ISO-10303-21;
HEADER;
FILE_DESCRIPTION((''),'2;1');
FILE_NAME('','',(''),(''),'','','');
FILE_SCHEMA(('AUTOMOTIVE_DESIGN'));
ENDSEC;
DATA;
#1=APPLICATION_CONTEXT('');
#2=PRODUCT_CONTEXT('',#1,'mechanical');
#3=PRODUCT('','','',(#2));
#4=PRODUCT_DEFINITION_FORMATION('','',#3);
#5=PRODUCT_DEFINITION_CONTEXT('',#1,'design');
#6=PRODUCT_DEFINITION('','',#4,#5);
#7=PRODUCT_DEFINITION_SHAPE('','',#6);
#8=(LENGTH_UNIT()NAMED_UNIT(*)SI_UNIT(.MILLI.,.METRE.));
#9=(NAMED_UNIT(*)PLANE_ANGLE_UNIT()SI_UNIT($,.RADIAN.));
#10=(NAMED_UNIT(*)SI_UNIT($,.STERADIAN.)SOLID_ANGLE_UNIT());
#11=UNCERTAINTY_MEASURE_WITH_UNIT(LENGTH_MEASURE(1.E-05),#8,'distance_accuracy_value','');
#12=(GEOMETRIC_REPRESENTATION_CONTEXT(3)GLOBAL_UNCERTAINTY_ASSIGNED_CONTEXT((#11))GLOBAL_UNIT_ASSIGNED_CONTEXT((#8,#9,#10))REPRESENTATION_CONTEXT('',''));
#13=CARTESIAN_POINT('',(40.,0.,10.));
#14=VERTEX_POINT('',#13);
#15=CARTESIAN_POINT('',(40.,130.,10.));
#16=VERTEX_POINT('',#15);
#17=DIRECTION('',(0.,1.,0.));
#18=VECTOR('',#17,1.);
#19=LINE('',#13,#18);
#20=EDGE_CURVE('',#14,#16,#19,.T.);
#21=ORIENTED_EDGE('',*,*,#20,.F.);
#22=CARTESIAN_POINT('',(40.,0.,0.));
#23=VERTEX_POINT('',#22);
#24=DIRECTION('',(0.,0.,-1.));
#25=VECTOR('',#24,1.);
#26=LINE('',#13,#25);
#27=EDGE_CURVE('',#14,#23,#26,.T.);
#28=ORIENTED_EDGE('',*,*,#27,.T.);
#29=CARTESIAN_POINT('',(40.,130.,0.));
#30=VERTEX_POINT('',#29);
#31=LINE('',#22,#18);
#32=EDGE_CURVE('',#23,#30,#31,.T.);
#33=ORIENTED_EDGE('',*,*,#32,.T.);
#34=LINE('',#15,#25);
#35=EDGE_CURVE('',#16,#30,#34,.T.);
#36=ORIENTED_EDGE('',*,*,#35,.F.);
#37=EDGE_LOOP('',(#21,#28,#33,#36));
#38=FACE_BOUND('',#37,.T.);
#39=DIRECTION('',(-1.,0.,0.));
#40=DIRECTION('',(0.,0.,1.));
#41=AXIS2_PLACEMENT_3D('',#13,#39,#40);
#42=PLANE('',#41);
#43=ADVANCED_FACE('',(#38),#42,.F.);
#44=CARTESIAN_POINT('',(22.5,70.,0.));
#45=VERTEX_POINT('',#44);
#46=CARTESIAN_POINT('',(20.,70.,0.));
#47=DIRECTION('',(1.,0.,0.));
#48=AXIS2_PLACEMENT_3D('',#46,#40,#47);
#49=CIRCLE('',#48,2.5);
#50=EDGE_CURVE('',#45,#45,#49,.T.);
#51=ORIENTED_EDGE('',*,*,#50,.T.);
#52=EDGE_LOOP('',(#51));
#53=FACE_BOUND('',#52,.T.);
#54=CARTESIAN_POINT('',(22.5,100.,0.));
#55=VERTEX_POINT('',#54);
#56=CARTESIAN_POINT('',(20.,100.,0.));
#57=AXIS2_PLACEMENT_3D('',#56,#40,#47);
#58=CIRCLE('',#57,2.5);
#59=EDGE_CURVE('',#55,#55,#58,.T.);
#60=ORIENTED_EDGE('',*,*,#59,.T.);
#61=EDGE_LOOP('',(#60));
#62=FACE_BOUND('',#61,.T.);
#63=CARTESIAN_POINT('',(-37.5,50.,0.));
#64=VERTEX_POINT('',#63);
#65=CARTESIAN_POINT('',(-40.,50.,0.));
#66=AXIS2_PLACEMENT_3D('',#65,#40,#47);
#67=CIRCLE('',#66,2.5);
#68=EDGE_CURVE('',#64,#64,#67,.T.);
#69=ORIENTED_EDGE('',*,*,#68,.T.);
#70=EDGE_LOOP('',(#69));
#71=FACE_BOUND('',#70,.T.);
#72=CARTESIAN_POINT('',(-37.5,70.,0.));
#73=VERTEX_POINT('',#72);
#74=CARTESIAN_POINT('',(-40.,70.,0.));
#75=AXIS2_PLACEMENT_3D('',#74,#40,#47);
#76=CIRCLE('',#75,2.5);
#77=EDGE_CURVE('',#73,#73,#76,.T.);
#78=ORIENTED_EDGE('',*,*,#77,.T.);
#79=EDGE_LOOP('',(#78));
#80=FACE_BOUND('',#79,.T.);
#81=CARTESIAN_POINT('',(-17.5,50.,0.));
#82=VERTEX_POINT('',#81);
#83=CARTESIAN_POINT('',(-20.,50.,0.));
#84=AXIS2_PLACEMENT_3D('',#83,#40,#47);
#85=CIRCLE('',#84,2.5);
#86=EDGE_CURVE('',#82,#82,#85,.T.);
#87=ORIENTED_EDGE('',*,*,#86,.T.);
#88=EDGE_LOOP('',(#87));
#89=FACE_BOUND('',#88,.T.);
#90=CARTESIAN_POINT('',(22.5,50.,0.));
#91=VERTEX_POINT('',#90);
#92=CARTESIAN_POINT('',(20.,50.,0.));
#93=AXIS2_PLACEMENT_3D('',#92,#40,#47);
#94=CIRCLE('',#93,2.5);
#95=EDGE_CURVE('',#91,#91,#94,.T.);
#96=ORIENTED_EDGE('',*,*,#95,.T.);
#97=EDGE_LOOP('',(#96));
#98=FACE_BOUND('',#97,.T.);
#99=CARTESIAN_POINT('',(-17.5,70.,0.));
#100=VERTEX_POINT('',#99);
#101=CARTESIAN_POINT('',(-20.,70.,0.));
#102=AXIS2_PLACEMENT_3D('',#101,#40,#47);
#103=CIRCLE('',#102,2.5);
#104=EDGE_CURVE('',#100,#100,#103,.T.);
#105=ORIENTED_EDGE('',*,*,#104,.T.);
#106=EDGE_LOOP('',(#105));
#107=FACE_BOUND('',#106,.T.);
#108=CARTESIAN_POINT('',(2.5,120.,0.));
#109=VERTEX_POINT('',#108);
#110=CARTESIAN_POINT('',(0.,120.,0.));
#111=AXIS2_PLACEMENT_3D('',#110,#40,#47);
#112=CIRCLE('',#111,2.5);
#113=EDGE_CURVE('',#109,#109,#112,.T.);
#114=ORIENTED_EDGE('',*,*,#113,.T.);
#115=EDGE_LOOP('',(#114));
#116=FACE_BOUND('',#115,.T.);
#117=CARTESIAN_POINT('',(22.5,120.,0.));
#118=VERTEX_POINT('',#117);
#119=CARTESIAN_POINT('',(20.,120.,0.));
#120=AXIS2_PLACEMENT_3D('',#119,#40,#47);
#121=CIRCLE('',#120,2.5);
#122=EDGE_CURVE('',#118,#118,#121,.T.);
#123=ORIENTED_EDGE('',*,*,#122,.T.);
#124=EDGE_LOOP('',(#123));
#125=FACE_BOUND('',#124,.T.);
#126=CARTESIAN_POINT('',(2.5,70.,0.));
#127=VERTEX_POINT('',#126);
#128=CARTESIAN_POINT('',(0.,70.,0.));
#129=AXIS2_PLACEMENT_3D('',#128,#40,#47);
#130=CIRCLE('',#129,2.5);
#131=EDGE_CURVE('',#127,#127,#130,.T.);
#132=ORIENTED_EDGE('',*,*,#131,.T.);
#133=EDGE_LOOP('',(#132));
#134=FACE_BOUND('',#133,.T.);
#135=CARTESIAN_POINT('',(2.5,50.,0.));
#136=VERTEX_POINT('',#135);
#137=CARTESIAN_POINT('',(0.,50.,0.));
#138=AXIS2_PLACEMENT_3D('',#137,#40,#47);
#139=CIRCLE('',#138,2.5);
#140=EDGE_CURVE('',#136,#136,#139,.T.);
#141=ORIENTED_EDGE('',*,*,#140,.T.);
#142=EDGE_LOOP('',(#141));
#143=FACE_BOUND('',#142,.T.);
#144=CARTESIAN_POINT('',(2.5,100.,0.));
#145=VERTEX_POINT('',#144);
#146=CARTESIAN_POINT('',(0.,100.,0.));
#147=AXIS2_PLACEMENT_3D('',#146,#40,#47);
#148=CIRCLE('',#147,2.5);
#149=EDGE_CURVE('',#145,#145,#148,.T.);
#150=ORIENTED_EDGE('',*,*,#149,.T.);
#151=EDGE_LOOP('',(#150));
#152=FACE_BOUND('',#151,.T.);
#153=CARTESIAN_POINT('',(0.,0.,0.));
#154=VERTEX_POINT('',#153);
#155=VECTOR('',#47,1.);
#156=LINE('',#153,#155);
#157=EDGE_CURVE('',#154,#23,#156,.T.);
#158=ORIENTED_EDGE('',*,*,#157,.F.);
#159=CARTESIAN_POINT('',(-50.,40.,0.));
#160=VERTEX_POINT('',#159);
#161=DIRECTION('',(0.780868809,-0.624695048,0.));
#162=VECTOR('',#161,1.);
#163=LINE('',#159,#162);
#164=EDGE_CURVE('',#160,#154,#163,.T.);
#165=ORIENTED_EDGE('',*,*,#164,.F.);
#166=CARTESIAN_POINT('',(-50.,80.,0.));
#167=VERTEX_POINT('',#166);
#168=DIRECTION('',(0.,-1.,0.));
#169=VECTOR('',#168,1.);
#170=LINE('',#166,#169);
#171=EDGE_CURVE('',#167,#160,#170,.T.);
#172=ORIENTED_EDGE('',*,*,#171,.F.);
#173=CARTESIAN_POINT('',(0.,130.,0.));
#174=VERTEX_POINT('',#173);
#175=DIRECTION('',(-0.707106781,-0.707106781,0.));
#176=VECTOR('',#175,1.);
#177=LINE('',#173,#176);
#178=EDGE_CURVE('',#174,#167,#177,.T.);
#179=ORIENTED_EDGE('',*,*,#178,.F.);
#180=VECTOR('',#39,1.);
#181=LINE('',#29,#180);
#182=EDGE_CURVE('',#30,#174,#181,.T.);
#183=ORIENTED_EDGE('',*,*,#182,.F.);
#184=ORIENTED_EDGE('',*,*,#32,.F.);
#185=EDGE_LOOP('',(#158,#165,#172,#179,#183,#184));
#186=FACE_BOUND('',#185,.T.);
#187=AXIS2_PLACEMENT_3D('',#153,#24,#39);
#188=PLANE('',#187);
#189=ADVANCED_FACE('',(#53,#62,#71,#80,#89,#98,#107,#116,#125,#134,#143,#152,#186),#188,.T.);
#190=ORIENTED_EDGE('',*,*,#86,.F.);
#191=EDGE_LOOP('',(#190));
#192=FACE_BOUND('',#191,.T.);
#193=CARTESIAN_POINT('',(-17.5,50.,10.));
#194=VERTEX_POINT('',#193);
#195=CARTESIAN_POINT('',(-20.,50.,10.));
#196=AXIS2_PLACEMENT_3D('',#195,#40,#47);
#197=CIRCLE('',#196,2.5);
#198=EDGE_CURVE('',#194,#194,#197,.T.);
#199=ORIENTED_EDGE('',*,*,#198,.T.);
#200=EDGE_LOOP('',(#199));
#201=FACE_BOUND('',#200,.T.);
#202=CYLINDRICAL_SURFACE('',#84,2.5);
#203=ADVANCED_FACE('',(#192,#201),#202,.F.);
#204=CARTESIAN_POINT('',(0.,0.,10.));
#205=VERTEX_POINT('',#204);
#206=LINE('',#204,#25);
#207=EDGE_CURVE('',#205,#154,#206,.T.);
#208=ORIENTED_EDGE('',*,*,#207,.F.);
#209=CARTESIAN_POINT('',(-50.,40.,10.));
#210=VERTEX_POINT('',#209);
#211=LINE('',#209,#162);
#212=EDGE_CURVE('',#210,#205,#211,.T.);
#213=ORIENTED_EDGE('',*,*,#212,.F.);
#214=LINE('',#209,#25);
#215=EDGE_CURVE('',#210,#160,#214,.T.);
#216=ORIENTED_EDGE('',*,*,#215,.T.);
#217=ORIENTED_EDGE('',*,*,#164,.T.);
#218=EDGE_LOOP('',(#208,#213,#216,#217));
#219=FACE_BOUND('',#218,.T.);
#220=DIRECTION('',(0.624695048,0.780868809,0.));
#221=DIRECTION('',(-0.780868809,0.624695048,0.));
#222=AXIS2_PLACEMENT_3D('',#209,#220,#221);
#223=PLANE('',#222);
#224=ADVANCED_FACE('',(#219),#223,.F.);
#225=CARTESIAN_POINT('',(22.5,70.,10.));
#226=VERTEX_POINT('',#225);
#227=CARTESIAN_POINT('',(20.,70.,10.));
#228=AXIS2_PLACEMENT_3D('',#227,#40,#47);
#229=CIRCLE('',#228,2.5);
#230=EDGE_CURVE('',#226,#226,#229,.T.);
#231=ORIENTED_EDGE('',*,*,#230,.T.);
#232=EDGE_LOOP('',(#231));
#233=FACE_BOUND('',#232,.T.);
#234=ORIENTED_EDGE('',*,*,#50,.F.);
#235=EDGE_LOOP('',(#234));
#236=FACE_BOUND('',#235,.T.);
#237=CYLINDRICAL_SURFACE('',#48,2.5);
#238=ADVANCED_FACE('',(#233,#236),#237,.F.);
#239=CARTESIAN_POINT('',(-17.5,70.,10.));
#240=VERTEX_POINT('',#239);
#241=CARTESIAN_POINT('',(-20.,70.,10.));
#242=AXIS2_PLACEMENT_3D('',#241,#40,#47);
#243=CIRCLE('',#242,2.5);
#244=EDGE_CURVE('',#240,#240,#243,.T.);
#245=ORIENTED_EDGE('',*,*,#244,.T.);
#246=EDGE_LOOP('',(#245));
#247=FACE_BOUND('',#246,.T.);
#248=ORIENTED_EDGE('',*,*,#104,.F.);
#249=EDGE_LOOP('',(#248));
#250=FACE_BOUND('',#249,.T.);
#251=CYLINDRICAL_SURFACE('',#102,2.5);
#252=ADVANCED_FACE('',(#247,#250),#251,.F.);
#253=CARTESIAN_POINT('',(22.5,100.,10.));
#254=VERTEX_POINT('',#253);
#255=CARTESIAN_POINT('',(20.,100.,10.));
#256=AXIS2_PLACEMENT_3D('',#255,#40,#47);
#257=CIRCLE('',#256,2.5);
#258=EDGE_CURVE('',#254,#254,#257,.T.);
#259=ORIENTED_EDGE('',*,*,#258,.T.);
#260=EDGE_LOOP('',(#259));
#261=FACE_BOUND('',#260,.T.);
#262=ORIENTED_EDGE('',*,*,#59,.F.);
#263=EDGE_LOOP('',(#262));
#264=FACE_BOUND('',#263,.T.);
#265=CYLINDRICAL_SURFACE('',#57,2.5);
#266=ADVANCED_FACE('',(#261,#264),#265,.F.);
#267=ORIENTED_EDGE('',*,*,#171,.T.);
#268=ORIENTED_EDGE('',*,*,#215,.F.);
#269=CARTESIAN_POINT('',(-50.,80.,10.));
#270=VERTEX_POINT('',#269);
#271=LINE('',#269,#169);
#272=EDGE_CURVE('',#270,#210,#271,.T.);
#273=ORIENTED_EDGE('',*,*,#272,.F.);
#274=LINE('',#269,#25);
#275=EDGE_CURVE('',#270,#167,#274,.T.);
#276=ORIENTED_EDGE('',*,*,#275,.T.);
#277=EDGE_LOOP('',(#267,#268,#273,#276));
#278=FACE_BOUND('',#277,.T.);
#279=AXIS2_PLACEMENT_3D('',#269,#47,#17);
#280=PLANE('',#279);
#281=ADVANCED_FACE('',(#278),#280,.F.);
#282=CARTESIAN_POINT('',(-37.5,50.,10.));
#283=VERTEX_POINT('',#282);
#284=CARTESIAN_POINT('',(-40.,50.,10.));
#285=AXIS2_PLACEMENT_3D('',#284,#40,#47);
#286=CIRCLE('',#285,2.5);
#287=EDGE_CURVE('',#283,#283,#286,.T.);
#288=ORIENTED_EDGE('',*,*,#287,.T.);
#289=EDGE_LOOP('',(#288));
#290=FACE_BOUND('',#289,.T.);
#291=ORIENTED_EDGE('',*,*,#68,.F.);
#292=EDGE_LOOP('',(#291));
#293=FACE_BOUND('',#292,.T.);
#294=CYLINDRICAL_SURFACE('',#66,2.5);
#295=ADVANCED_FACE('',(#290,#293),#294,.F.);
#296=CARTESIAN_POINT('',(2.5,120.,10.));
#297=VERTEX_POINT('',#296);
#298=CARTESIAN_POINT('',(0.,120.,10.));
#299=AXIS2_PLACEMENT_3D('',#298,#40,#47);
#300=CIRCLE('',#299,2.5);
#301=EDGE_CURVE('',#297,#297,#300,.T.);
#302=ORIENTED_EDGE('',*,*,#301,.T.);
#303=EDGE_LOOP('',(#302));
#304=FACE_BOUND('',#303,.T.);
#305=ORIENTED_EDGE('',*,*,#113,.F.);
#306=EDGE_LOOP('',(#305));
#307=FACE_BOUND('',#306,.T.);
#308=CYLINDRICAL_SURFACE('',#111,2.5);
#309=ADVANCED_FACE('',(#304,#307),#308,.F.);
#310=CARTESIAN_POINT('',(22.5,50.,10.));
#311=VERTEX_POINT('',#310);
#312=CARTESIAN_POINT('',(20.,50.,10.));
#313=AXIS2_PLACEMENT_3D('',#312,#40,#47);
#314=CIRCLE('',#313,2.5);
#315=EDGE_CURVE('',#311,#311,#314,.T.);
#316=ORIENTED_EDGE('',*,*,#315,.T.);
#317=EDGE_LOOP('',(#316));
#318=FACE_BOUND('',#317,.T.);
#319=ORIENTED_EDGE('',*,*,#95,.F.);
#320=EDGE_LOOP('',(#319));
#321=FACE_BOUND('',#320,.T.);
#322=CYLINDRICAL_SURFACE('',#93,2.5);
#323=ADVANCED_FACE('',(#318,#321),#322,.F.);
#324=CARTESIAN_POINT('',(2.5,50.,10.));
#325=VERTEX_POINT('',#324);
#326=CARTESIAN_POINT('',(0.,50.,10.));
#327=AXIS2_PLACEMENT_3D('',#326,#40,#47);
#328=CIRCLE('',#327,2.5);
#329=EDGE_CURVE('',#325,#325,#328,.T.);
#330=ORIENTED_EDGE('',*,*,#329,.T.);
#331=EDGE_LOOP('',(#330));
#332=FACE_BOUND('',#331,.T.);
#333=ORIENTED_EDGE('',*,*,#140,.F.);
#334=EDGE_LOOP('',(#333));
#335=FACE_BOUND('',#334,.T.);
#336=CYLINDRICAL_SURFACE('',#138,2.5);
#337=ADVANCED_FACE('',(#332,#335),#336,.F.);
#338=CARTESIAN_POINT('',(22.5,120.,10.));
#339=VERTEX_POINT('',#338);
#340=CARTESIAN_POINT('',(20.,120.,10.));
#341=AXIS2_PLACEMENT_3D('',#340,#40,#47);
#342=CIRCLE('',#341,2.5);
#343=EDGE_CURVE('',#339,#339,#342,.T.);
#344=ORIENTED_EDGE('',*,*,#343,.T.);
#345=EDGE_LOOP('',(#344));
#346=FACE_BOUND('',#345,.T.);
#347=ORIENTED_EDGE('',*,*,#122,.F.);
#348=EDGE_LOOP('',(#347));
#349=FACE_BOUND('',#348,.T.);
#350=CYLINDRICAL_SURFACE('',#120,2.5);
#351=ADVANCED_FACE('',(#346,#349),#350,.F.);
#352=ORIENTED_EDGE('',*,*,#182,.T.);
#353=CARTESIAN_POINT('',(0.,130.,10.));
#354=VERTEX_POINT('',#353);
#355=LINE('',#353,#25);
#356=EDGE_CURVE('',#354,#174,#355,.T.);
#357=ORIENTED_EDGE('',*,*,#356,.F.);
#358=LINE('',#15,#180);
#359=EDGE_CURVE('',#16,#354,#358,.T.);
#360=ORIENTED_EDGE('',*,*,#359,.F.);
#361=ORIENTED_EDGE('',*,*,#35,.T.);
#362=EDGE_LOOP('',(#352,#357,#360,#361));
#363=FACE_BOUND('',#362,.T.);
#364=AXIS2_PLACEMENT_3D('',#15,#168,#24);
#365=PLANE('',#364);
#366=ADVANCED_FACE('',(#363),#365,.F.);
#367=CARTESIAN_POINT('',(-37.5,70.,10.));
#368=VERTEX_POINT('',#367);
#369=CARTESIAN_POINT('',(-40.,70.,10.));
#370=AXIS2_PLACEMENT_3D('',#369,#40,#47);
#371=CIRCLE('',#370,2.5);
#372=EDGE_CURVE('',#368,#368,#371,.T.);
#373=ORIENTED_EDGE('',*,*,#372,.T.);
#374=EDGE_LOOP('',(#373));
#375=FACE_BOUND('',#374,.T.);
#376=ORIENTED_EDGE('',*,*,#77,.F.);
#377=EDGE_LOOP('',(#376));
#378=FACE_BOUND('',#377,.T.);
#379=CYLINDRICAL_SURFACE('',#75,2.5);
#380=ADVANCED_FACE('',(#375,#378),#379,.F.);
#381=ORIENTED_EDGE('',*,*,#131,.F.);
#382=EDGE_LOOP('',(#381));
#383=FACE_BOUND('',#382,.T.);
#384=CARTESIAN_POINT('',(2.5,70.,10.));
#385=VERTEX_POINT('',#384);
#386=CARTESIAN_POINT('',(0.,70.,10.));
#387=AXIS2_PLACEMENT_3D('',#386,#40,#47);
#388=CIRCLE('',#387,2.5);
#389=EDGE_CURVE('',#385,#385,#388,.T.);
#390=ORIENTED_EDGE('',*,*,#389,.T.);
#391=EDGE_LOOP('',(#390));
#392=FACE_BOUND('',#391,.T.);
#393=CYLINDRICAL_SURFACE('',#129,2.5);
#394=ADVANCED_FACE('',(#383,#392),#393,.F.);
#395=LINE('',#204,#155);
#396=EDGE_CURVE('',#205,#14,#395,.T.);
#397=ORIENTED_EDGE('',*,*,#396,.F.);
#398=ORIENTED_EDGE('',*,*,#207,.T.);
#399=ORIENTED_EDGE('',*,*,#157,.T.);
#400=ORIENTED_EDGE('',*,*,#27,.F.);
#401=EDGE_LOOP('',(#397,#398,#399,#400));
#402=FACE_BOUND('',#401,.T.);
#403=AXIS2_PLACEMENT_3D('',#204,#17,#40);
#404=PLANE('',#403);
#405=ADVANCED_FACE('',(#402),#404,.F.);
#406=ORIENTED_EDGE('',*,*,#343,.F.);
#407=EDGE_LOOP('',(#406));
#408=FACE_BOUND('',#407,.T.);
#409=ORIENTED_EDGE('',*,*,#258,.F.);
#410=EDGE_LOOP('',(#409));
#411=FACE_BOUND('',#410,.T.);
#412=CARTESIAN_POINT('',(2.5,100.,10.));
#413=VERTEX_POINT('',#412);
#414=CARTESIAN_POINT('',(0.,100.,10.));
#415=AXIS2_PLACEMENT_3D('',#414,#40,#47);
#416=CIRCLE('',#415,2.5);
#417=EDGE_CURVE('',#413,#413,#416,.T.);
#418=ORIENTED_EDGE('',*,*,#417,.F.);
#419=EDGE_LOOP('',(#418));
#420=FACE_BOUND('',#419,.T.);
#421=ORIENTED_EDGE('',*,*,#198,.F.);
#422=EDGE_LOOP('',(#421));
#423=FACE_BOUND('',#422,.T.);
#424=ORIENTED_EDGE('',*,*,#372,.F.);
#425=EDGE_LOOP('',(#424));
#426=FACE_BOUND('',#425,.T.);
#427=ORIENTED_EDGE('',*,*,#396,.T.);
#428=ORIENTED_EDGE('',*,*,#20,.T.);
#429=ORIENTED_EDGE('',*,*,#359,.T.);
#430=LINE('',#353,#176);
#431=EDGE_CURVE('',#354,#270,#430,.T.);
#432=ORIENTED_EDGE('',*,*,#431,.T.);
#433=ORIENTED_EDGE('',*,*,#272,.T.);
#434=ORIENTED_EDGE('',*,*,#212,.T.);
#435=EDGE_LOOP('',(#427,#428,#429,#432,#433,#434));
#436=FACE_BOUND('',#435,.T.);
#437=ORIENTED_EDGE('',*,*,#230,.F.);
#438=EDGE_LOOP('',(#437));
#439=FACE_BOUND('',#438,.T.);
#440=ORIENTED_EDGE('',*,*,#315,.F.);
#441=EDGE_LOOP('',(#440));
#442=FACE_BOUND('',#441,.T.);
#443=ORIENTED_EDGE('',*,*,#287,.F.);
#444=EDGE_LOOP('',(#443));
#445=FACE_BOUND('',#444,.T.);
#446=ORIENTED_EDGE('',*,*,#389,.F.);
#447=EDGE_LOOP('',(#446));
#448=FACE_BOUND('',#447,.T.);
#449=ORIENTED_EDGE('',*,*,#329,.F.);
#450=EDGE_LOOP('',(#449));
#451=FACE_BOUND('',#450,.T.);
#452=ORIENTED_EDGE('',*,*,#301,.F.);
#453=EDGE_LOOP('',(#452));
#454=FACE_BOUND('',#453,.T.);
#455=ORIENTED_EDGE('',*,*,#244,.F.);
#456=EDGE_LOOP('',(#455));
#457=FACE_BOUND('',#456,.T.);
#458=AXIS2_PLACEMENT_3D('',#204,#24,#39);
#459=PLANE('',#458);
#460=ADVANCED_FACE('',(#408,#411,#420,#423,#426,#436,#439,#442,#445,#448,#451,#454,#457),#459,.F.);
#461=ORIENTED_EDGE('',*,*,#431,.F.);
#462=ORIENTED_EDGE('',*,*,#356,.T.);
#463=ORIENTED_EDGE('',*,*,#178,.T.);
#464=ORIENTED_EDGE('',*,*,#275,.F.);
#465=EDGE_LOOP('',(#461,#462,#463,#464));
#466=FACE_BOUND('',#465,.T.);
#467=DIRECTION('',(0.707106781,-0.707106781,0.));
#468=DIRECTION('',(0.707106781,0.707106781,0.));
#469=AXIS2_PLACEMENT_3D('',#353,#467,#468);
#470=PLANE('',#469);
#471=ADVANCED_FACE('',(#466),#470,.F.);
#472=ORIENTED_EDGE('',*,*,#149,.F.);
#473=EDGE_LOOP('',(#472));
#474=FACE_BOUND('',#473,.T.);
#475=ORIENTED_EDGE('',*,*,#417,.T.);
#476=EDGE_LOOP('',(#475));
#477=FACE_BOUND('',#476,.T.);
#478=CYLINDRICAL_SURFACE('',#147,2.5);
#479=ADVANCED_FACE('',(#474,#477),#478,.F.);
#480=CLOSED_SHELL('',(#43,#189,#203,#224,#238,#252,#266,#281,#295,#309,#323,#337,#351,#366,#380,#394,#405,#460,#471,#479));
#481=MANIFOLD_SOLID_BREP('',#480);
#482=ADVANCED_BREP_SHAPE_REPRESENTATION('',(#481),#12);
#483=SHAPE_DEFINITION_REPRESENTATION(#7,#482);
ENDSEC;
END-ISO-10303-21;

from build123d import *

# Parameters (mm, degrees)
BOSS_EXTRUDE1_DEPTH = 10
SKETCH2_R           = 2.5
CUT_EXTRUDE1_DEPTH  = 10


with BuildPart() as part:
    # Sketch1 → Boss-Extrude1 (new body)
    with BuildSketch(Plane.XY):
        Polygon((0, 0), (40, 0), (40, 130), (0, 130), (-50, 80), (-50, 40), align=None)
    extrude(amount=BOSS_EXTRUDE1_DEPTH)

    # Sketch2 → Cut-Extrude1 (cut)
    with BuildSketch(Plane.XY.offset(10)):
        with Locations((0, 120)):
            Circle(SKETCH2_R)
        with Locations((20, 120)):
            Circle(SKETCH2_R)
        with Locations((0, 100)):
            Circle(SKETCH2_R)
        with Locations((20, 100)):
            Circle(SKETCH2_R)
        with Locations((-40, 70)):
            Circle(SKETCH2_R)
        with Locations((-20, 70)):
            Circle(SKETCH2_R)
        with Locations((-40, 50)):
            Circle(SKETCH2_R)
        with Locations((-20, 50)):
            Circle(SKETCH2_R)
        with Locations((0, 70)):
            Circle(SKETCH2_R)
        with Locations((20, 70)):
            Circle(SKETCH2_R)
        with Locations((0, 50)):
            Circle(SKETCH2_R)
        with Locations((20, 50)):
            Circle(SKETCH2_R)
    extrude(amount=-CUT_EXTRUDE1_DEPTH, mode=Mode.SUBTRACT)


solid = part.part
